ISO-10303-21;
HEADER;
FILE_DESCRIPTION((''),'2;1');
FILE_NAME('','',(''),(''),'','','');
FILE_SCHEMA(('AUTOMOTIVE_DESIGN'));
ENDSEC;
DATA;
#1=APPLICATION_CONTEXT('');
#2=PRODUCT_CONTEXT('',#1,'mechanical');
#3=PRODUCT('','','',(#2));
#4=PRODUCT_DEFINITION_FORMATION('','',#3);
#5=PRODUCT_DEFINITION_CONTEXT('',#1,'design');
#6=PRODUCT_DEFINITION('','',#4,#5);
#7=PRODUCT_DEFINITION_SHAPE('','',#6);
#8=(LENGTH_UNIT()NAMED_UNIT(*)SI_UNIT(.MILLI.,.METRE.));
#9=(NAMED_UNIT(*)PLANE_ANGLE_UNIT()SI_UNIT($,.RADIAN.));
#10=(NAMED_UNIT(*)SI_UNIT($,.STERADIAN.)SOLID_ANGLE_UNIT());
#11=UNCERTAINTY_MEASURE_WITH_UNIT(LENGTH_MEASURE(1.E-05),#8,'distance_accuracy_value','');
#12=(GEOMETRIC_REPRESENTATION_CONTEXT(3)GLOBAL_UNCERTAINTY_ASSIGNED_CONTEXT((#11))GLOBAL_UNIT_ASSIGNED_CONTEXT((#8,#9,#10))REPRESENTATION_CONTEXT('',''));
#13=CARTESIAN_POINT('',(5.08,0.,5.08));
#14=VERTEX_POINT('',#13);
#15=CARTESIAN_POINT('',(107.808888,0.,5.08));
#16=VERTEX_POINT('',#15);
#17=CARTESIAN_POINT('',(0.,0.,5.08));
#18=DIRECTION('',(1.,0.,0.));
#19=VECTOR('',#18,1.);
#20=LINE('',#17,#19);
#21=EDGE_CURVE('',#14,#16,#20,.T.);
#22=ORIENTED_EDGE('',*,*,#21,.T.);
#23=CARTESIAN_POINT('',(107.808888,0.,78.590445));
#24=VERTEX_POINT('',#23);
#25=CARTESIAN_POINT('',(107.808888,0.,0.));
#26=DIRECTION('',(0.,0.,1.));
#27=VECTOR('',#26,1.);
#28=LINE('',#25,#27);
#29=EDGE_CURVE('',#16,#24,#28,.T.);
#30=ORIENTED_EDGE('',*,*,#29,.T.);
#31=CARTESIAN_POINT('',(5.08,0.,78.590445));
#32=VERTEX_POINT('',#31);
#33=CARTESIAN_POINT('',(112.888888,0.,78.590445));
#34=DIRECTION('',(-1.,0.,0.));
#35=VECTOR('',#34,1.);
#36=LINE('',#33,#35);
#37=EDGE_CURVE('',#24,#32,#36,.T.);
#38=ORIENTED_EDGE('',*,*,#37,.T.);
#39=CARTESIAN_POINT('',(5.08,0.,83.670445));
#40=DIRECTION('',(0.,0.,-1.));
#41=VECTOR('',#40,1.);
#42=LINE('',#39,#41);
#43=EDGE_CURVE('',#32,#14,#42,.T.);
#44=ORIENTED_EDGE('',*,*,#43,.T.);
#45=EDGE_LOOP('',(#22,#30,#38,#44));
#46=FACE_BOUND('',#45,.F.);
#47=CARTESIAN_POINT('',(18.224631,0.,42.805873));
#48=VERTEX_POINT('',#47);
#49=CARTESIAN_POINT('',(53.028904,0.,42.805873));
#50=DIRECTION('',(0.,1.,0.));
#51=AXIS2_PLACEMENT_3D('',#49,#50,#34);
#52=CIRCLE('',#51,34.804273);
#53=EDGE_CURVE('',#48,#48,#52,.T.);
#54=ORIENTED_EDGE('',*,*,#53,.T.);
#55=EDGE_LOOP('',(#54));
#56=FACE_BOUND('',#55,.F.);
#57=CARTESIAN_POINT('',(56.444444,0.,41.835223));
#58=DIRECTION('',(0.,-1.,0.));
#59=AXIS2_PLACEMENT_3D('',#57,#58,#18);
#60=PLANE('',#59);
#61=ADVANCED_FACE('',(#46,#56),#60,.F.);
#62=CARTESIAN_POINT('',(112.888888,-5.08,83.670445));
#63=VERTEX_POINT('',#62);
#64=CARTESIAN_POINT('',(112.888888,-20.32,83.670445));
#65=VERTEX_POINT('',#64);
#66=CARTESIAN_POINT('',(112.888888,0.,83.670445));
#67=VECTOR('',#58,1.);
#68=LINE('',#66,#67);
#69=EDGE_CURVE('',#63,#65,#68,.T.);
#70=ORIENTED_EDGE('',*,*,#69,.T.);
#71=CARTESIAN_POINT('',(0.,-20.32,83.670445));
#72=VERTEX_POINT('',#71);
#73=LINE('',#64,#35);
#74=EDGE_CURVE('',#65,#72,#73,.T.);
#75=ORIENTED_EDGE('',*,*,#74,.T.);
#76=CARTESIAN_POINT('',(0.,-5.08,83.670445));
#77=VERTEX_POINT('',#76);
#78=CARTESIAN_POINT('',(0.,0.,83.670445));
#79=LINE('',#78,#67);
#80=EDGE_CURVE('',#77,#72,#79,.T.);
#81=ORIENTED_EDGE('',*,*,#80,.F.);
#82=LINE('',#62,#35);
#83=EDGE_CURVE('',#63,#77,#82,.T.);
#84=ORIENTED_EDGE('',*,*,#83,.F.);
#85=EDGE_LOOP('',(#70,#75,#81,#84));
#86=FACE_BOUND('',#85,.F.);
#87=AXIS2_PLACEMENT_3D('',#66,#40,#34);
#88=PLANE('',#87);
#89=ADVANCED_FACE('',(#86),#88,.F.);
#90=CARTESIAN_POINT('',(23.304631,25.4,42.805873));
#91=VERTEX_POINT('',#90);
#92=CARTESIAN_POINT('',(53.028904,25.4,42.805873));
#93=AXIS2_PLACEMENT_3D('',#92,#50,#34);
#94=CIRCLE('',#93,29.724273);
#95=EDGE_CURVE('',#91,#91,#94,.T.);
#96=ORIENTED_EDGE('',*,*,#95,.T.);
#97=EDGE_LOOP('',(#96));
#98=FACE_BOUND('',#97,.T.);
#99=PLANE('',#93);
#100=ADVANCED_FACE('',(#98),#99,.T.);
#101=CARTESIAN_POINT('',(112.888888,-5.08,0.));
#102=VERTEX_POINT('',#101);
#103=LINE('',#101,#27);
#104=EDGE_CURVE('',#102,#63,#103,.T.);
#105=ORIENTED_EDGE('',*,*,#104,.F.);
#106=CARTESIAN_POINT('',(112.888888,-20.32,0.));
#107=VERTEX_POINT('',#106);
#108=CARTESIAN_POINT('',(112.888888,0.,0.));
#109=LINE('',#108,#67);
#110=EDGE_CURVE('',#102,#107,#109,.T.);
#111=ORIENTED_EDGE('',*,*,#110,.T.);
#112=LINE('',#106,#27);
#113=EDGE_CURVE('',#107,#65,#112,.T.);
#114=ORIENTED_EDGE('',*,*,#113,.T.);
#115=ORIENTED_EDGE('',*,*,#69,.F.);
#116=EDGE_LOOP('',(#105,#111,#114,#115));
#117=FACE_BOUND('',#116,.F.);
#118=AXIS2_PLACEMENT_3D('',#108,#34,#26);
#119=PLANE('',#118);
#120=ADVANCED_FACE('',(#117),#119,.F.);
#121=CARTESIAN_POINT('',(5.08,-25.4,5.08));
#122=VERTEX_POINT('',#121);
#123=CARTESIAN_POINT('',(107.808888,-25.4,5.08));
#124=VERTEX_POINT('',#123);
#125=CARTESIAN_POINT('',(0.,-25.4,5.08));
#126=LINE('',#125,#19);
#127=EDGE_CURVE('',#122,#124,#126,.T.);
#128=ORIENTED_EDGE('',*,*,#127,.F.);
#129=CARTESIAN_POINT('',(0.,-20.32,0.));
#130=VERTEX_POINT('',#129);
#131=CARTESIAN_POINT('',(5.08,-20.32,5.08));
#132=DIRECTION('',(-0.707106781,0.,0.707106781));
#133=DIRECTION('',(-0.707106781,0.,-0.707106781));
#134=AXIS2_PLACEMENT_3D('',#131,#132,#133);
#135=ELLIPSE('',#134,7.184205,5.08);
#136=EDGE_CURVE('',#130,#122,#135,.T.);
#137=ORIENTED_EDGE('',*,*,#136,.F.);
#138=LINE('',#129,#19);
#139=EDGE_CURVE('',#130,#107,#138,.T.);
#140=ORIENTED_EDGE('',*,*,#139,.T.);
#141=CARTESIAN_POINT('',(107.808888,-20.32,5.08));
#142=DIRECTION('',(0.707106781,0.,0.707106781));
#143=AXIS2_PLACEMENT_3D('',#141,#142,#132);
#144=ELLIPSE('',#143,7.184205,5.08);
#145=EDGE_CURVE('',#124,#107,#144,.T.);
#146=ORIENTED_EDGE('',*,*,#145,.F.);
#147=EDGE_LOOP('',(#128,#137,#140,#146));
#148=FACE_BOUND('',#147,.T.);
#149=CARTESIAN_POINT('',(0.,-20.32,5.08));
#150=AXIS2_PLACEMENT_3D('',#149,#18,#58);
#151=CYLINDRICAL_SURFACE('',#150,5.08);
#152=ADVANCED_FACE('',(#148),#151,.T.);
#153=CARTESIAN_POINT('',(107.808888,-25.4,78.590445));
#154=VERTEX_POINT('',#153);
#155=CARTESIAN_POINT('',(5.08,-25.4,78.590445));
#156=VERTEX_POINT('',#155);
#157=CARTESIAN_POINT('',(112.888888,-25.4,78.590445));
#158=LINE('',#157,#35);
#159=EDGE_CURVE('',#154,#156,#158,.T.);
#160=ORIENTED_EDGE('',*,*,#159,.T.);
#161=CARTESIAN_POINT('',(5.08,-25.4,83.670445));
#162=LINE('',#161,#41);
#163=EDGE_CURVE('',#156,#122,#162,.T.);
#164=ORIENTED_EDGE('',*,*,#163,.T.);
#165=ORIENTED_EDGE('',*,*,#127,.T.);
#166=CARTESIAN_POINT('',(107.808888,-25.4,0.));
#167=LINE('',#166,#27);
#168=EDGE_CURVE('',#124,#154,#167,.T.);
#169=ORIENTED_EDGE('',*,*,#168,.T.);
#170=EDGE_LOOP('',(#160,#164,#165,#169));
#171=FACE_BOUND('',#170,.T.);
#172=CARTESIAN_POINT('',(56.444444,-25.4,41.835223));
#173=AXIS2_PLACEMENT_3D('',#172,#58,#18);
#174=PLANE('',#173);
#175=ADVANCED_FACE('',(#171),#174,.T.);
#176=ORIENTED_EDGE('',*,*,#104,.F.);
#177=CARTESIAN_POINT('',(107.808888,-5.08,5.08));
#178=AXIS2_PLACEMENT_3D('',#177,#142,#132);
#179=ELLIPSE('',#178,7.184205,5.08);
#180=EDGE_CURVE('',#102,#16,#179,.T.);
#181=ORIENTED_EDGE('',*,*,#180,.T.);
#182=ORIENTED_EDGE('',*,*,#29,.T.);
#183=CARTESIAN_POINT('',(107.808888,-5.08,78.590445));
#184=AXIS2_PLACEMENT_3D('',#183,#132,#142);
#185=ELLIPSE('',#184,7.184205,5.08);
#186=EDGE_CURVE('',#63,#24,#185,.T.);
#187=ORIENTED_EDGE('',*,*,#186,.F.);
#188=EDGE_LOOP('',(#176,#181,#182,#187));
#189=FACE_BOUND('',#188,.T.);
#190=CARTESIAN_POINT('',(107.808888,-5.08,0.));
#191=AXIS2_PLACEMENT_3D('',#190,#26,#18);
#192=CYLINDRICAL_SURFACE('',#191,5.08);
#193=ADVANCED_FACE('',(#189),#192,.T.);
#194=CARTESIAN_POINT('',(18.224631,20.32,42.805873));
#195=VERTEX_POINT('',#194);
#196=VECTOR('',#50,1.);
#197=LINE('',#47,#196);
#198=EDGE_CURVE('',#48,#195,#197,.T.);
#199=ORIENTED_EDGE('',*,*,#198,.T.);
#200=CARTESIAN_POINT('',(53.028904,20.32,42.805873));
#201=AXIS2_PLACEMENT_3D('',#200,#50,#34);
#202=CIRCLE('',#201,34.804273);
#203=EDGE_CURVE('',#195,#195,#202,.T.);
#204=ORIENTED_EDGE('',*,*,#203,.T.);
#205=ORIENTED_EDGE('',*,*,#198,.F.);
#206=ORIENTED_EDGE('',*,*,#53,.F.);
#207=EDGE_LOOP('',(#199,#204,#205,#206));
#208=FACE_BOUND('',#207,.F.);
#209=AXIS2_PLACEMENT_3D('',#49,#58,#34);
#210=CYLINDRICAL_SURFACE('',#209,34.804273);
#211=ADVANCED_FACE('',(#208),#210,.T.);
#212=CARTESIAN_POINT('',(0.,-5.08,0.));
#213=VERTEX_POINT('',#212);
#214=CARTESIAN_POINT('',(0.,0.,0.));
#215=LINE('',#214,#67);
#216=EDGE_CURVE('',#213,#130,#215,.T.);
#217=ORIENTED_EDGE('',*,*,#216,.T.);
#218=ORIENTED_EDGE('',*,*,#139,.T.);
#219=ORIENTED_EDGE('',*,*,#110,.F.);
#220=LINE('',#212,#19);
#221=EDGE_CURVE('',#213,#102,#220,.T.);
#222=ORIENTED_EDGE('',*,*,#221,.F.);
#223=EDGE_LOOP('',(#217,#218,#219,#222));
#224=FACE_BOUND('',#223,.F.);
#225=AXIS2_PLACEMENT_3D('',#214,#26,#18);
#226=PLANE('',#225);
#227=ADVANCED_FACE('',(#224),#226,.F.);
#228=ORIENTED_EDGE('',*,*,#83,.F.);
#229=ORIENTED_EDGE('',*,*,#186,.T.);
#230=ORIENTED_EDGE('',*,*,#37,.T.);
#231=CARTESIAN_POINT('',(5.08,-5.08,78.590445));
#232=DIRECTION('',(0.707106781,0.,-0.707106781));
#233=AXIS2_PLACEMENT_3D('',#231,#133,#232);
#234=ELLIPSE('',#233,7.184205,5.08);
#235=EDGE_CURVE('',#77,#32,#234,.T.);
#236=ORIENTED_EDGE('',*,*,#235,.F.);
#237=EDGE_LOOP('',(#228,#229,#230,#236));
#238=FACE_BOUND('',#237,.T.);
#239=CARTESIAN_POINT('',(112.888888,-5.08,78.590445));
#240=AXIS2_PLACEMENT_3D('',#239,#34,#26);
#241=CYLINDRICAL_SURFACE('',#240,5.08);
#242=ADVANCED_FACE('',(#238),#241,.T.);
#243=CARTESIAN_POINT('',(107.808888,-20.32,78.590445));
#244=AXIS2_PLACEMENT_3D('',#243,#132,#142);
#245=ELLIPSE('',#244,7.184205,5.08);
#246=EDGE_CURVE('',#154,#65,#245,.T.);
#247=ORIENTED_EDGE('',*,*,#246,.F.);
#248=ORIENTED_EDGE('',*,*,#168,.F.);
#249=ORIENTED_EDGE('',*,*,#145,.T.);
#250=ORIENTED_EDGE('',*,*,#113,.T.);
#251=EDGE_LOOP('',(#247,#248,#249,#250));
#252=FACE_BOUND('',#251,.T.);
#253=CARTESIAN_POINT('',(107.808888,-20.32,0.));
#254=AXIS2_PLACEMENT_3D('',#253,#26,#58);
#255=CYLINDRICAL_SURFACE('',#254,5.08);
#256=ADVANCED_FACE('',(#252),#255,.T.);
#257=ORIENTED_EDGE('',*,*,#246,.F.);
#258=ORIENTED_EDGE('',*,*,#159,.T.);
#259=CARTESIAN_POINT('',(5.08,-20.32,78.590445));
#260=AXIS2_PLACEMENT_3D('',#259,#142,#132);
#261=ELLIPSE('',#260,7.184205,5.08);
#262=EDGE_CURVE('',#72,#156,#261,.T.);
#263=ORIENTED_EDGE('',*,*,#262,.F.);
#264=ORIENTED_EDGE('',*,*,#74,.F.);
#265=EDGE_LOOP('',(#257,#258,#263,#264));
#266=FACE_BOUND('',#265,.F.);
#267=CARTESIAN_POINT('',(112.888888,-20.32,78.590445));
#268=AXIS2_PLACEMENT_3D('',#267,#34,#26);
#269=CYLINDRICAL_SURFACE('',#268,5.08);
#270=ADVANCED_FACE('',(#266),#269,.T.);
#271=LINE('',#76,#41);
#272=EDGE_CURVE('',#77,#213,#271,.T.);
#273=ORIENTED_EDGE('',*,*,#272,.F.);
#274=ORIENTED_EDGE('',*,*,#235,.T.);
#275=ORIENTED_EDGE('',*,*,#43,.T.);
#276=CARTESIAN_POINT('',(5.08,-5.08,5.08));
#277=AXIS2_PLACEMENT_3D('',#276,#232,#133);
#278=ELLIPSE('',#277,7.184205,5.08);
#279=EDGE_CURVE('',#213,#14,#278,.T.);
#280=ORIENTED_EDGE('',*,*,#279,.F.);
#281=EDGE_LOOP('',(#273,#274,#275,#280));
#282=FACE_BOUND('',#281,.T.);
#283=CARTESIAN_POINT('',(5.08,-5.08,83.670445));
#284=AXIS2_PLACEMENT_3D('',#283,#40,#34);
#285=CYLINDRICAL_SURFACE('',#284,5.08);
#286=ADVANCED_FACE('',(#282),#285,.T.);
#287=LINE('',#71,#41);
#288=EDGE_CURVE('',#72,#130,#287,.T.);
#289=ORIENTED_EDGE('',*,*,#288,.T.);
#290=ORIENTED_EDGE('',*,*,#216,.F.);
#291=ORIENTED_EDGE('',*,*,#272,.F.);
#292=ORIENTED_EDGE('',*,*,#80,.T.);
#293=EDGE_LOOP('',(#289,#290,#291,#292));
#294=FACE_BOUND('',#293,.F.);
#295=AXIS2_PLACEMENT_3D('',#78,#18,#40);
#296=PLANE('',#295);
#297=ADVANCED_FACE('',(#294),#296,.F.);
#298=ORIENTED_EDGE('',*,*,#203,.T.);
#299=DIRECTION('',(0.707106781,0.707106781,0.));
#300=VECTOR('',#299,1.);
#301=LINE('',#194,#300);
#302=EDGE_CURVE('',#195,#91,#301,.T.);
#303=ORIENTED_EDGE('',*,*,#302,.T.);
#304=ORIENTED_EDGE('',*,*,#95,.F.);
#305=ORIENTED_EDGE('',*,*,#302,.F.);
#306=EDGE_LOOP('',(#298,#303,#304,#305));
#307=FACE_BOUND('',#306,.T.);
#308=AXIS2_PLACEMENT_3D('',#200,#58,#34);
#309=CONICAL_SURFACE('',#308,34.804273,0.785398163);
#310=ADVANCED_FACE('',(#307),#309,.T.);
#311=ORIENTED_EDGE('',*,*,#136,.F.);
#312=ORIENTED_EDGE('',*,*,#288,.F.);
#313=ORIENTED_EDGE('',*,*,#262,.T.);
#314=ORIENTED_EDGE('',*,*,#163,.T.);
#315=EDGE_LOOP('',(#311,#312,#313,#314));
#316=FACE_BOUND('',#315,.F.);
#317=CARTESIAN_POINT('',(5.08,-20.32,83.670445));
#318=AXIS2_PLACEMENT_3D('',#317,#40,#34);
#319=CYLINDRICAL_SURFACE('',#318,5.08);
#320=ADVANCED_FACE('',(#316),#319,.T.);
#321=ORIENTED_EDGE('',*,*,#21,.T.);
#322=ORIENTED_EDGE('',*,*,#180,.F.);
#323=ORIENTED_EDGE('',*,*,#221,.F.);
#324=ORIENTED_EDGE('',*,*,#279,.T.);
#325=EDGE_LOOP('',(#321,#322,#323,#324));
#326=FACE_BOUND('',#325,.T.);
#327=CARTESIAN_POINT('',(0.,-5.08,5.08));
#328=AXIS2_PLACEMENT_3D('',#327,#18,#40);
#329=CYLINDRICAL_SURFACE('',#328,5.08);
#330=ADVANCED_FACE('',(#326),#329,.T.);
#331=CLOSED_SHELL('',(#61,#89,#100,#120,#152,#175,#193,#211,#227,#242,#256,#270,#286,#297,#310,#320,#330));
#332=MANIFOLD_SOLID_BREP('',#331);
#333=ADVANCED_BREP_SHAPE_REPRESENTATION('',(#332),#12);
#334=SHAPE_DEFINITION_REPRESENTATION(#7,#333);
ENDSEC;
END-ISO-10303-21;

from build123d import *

# Parameters (mm, degrees)
F1_DEPTH = 25.4
F2_R     = 5.08
F3_R     = 5.08
F5_R     = 34.804273
F6_DEPTH = 25.4
F7_SIZE  = 5.08


with BuildPart() as f1:
    # F0 (on Front) → F1 (new body)
    with BuildSketch(Plane.XZ):
        Polygon((0, 83.670445), (0, 0), (94.367452, 0), (112.888888, 0), (112.888888, 83.670445), align=None)
    extrude(amount=F1_DEPTH)

    # F2
    f2_edges = [f1.edges().sort_by_distance(p)[0] for p in [
        (112.888888, 0, 41.835222),
        (0, 0, 41.835222),
        (56.444444, 0, 0),
        (56.444444, 0, 83.670445),
    ]]
    fillet(f2_edges, radius=F2_R)

    # F3
    f3_edges = [f1.edges().sort_by_distance(p)[0] for p in [
        (112.888888, -25.4, 41.835222),
        (56.444444, -25.4, 83.670445),
        (0, -25.4, 41.835222),
        (56.444444, -25.4, 0),
    ]]
    fillet(f3_edges, radius=F3_R)

    # F5 (on face) → F6 (join)
    with BuildSketch(Plane(origin=(0, 0, 0), x_dir=(-1, 0, 0), z_dir=(0, 1, 0))):
        with Locations((-53.028904, 42.805873)):
            Circle(F5_R)
    extrude(amount=F6_DEPTH)

    # F7
    f7_edges = [f1.edges().sort_by_distance(p)[0] for p in [
        (87.833177, 25.4, 42.805873),
    ]]
    chamfer(f7_edges, length=F7_SIZE)


solid = f1.part
